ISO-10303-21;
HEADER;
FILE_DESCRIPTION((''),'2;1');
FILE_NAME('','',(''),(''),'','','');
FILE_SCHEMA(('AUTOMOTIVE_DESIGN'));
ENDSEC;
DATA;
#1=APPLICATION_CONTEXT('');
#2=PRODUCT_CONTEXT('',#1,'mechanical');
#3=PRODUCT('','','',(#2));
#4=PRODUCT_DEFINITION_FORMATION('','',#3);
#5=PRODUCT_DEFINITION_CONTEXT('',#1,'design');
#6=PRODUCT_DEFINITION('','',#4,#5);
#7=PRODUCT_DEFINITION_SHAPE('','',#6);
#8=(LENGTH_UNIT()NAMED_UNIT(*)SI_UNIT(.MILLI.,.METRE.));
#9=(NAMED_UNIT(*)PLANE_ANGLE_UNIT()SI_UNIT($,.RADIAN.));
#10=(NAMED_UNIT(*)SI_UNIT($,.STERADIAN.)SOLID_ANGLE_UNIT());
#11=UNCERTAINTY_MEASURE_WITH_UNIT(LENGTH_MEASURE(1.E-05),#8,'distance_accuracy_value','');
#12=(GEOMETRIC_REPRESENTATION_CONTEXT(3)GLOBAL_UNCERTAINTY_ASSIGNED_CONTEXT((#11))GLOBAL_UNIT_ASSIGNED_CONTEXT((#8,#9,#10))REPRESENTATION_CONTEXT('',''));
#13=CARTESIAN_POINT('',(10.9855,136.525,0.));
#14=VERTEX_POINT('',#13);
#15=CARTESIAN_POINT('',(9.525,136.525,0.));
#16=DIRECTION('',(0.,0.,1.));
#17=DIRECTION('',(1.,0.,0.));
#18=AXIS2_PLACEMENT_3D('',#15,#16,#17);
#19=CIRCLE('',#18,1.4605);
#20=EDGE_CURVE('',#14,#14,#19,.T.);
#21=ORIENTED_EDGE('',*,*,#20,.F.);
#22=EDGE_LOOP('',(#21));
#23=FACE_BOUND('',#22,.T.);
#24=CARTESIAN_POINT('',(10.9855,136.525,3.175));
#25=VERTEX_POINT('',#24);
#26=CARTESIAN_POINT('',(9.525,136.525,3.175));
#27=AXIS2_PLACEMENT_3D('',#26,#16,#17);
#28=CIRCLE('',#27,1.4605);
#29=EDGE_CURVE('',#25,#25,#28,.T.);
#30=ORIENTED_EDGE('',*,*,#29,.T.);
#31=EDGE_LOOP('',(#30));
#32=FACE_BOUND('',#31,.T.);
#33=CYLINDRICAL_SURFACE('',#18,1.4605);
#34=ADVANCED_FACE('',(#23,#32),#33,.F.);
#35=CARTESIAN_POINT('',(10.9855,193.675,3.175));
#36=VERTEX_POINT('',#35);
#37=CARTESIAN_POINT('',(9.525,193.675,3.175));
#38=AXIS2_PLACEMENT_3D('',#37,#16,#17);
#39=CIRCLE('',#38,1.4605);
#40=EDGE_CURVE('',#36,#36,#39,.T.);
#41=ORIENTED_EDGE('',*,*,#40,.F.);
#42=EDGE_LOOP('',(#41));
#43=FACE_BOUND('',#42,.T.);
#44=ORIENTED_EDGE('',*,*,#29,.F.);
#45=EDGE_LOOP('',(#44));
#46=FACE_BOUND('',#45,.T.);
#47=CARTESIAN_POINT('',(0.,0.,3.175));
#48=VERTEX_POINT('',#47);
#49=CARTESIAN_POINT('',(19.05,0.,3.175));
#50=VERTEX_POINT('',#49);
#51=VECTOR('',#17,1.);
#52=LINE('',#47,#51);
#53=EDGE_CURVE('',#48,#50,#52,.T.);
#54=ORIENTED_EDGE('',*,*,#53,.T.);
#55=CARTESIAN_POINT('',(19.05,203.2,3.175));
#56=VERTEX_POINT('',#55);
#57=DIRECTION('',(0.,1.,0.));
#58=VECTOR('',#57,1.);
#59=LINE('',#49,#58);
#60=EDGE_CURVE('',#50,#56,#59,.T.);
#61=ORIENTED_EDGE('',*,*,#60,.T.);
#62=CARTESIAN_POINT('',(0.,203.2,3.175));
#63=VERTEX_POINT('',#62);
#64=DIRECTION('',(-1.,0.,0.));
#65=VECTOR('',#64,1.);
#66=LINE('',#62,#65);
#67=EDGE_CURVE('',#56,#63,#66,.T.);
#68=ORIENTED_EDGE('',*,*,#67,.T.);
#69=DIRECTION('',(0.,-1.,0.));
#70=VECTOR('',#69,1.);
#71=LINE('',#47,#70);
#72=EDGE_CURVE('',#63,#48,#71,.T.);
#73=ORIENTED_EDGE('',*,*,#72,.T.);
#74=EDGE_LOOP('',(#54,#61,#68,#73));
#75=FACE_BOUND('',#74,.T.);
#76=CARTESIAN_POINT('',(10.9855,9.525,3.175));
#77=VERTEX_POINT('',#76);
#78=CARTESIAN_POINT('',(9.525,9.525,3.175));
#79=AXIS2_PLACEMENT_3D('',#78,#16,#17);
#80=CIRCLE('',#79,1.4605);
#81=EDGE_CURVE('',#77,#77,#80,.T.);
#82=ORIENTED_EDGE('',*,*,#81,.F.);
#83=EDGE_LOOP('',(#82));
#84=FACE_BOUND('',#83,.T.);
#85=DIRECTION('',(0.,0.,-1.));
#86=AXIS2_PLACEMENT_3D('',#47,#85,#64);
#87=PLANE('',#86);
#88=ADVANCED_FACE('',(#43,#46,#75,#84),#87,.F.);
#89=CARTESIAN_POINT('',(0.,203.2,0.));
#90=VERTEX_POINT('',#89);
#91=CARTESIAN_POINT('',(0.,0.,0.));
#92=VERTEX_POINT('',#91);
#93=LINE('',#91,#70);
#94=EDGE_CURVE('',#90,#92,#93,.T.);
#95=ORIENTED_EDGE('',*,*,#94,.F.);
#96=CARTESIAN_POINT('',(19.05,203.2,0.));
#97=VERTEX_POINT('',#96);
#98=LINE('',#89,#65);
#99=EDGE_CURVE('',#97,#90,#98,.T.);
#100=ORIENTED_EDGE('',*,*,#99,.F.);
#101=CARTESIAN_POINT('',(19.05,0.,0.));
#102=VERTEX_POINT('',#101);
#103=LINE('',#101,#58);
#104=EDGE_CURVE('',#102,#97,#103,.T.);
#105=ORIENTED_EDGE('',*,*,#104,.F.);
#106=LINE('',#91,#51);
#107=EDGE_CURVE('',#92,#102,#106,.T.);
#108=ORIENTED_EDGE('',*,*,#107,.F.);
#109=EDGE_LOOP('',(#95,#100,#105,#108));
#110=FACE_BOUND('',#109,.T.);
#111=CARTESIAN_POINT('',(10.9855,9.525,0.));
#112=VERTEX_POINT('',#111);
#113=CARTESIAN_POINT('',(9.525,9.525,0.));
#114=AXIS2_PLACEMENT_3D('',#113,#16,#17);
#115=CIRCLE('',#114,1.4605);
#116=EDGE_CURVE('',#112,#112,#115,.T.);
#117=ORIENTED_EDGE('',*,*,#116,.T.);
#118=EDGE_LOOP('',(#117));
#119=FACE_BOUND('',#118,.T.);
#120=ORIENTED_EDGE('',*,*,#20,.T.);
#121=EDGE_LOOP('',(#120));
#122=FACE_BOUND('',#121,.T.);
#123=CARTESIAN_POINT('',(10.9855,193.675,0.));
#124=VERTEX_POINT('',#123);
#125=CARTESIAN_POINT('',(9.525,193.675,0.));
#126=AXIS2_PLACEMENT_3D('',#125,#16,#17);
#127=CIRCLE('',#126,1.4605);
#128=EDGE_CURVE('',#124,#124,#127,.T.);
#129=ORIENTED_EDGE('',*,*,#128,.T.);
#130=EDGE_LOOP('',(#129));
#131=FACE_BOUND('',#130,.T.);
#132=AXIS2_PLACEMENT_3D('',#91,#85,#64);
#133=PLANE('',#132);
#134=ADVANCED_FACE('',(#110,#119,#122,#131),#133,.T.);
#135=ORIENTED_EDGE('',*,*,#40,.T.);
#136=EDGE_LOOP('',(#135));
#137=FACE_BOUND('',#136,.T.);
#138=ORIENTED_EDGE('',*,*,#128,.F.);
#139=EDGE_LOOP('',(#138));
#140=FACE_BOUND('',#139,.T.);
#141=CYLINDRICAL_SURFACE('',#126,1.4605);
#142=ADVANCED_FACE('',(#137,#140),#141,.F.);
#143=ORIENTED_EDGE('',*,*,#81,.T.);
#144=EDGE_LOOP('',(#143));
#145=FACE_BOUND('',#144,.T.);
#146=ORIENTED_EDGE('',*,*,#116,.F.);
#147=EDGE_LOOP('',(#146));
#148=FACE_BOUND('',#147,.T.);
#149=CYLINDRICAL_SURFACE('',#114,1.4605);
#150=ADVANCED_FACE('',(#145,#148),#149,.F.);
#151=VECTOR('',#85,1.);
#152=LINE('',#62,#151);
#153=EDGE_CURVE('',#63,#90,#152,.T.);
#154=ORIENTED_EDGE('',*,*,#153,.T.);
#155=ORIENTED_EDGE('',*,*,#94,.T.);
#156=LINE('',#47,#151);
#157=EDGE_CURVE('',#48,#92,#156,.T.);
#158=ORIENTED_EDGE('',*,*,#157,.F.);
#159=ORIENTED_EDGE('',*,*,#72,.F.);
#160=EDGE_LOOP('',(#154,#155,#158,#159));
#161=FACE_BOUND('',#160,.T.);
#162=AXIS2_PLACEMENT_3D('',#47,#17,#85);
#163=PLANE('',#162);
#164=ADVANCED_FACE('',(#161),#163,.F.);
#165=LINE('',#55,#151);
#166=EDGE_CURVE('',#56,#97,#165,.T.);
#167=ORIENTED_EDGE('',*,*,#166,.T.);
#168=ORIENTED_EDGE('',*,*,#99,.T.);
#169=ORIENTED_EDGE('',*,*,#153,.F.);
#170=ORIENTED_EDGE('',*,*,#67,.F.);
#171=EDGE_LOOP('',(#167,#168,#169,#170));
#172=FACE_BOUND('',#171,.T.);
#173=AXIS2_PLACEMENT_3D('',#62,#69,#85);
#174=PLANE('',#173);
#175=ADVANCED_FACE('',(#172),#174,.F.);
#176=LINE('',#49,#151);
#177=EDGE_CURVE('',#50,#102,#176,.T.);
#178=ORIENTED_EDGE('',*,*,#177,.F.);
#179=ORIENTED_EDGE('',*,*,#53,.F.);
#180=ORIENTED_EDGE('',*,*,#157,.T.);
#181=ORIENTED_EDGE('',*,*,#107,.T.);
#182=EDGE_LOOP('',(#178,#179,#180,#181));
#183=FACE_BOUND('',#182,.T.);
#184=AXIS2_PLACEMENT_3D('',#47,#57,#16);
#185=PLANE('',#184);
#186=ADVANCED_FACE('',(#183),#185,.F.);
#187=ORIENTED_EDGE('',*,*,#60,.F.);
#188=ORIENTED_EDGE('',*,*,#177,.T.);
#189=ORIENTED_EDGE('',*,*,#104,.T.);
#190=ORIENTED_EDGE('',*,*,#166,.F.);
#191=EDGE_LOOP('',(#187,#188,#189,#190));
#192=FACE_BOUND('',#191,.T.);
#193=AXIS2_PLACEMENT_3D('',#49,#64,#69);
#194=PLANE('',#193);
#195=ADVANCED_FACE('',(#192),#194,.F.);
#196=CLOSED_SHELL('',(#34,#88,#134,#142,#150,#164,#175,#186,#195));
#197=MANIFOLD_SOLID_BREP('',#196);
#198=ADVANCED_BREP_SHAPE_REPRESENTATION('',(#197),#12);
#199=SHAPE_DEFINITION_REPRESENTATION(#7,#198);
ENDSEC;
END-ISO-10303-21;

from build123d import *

# Parameters (mm, degrees)
SKETCH1_W           = 19.05
SKETCH1_H           = 203.2
BOSS_EXTRUDE1_DEPTH = 3.175
SKETCH4_R           = 1.4605
CUT_EXTRUDE1_DEPTH  = 205.115710138


with BuildPart() as part:
    # Sketch1 → Boss-Extrude1 (new body)
    with BuildSketch(Plane.XY):
        with Locations((9.525, 101.6)):
            Rectangle(SKETCH1_W, SKETCH1_H)
    extrude(amount=BOSS_EXTRUDE1_DEPTH)

    # Sketch4 → Cut-Extrude1 (cut, through all)
    with BuildSketch(Plane.XY.offset(3.175)):
        with Locations((9.525, 193.675)):
            Circle(SKETCH4_R)
        with Locations((9.525, 136.525)):
            Circle(SKETCH4_R)
        with Locations((9.525, 9.525)):
            Circle(SKETCH4_R)
    extrude(amount=-CUT_EXTRUDE1_DEPTH, mode=Mode.SUBTRACT)


solid = part.part
